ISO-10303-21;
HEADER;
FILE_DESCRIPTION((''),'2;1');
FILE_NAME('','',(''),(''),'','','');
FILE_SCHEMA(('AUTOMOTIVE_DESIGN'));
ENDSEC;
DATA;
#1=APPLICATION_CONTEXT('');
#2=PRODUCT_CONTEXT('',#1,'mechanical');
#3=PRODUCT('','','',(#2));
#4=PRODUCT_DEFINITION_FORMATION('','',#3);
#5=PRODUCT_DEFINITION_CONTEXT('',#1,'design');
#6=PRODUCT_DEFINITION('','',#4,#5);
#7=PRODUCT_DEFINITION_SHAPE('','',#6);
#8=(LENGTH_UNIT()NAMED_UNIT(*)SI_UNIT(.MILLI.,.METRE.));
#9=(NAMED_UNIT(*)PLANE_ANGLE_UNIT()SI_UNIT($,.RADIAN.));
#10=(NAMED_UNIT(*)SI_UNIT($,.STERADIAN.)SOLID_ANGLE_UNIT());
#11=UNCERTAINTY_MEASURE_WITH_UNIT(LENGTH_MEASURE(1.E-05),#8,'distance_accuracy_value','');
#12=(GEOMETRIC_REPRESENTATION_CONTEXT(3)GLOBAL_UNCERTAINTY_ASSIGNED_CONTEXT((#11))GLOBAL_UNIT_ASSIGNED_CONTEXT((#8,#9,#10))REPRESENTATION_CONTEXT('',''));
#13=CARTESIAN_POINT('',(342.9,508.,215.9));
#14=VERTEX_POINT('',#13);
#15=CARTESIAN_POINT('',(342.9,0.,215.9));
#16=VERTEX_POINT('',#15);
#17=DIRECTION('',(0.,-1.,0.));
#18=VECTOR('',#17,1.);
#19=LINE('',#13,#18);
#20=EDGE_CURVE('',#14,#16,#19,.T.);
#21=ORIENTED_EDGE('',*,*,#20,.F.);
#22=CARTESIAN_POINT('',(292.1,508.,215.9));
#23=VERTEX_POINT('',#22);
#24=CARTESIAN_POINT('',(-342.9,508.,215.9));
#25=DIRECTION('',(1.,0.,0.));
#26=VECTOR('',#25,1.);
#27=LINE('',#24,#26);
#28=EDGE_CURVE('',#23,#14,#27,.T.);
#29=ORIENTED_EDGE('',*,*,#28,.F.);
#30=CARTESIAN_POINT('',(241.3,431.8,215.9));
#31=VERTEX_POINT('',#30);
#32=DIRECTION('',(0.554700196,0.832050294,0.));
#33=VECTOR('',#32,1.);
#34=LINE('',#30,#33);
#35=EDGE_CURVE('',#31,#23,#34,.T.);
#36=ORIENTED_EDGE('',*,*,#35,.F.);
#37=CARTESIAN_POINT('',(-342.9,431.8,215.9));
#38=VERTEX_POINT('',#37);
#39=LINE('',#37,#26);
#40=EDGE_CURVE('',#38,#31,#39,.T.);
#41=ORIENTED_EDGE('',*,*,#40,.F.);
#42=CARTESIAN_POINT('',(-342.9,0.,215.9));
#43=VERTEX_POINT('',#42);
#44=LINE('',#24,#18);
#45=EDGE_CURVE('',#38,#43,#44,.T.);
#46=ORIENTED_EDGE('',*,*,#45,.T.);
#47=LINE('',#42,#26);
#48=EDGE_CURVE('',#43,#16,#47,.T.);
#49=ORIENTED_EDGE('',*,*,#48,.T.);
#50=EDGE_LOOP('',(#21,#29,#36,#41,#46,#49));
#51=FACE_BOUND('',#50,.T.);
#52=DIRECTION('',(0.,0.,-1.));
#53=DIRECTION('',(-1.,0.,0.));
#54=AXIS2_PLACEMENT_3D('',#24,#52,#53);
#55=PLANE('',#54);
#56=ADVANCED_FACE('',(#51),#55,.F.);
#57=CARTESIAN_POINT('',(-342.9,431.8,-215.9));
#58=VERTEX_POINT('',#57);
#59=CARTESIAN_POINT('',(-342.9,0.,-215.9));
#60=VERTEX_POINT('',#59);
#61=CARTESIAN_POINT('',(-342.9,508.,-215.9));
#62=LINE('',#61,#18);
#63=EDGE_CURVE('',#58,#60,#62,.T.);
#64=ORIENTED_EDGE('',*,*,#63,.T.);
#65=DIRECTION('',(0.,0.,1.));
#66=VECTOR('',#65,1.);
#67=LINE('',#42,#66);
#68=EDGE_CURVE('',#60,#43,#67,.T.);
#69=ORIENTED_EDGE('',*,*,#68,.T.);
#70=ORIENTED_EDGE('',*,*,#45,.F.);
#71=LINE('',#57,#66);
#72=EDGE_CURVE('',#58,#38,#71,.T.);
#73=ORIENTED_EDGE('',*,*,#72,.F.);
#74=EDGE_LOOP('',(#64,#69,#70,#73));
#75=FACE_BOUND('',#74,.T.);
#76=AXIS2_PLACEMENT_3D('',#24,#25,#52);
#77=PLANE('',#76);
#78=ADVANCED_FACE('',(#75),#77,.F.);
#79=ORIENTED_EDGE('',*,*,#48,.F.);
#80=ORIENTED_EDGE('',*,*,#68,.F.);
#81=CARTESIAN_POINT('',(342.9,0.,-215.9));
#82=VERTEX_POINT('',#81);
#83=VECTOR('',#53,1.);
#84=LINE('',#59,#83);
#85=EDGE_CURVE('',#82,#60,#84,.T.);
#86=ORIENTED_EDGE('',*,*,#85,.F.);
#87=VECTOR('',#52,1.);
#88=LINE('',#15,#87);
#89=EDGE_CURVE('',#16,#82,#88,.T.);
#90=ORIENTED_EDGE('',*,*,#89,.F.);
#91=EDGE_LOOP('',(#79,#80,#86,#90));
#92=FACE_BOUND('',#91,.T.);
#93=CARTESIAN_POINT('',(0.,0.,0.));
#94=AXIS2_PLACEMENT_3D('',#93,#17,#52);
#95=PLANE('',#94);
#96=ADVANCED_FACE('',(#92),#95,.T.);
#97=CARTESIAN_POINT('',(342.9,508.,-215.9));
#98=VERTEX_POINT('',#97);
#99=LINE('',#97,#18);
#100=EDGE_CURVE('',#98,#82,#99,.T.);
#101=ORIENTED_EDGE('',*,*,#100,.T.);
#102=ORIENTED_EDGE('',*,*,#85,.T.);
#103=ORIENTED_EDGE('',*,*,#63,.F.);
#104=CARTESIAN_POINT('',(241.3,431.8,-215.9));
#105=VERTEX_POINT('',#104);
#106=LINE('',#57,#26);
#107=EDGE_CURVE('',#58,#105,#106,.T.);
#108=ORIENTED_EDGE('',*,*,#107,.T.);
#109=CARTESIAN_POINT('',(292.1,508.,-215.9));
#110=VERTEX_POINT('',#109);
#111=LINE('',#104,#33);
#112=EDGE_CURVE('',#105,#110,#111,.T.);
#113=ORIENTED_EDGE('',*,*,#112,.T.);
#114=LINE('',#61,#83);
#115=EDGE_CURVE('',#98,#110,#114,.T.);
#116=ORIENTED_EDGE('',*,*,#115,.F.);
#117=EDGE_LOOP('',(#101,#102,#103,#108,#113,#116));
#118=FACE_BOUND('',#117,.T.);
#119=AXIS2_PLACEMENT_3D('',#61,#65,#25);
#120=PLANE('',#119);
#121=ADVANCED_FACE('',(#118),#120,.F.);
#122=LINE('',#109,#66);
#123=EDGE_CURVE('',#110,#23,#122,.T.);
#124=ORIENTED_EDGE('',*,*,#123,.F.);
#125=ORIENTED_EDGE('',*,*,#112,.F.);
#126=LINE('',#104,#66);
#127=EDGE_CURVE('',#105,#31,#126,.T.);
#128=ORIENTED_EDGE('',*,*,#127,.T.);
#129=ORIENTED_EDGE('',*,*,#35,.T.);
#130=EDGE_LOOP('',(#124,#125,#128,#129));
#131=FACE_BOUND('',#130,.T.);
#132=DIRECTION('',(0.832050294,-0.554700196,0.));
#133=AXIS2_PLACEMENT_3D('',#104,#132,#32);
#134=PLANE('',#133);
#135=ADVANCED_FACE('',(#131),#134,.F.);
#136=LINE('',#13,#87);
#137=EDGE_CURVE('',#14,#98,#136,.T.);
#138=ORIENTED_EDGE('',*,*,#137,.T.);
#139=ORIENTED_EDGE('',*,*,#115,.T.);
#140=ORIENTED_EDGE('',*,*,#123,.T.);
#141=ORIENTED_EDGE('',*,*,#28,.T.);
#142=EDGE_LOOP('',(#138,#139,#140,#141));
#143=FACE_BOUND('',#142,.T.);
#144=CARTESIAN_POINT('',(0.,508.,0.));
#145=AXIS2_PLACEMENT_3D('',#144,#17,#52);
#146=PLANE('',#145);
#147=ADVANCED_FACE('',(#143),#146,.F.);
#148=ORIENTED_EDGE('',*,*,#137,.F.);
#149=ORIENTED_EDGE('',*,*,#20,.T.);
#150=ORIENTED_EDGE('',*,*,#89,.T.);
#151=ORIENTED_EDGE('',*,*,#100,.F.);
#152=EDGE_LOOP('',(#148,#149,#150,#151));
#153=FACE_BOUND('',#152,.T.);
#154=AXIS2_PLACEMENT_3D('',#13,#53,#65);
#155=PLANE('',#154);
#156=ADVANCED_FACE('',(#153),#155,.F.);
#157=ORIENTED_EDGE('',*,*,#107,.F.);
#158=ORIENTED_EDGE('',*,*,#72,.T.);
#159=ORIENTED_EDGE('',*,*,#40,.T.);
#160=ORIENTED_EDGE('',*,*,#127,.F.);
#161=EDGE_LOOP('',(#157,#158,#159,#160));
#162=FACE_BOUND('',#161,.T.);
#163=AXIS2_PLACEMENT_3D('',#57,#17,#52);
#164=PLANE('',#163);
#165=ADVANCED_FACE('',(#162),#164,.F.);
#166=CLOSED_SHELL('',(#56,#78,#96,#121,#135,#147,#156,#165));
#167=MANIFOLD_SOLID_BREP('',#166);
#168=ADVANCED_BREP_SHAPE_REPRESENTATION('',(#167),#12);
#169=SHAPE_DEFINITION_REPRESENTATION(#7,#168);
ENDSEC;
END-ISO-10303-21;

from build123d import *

# Parameters (mm, degrees)
SKETCH1_W           = 685.8
SKETCH1_H           = 431.8
BOSS_EXTRUDE1_DEPTH = 508
CUT_EXTRUDE1_DEPTH  = 432.8


with BuildPart() as part:
    # Sketch1 → Boss-Extrude1 (new body)
    with BuildSketch(Plane(origin=(0, 0, 0), x_dir=(1, 0, 0), z_dir=(0, 1, 0))):
        Rectangle(SKETCH1_W, SKETCH1_H)
    extrude(amount=BOSS_EXTRUDE1_DEPTH)

    # Sketch2 → Cut-Extrude1 (cut, through all)
    with BuildSketch(Plane.XY.offset(215.9)):
        Polygon((-342.9, 431.8), (241.3, 431.8), (292.1, 508), (-342.9, 508), align=None)
    extrude(amount=-CUT_EXTRUDE1_DEPTH, mode=Mode.SUBTRACT)


solid = part.part
